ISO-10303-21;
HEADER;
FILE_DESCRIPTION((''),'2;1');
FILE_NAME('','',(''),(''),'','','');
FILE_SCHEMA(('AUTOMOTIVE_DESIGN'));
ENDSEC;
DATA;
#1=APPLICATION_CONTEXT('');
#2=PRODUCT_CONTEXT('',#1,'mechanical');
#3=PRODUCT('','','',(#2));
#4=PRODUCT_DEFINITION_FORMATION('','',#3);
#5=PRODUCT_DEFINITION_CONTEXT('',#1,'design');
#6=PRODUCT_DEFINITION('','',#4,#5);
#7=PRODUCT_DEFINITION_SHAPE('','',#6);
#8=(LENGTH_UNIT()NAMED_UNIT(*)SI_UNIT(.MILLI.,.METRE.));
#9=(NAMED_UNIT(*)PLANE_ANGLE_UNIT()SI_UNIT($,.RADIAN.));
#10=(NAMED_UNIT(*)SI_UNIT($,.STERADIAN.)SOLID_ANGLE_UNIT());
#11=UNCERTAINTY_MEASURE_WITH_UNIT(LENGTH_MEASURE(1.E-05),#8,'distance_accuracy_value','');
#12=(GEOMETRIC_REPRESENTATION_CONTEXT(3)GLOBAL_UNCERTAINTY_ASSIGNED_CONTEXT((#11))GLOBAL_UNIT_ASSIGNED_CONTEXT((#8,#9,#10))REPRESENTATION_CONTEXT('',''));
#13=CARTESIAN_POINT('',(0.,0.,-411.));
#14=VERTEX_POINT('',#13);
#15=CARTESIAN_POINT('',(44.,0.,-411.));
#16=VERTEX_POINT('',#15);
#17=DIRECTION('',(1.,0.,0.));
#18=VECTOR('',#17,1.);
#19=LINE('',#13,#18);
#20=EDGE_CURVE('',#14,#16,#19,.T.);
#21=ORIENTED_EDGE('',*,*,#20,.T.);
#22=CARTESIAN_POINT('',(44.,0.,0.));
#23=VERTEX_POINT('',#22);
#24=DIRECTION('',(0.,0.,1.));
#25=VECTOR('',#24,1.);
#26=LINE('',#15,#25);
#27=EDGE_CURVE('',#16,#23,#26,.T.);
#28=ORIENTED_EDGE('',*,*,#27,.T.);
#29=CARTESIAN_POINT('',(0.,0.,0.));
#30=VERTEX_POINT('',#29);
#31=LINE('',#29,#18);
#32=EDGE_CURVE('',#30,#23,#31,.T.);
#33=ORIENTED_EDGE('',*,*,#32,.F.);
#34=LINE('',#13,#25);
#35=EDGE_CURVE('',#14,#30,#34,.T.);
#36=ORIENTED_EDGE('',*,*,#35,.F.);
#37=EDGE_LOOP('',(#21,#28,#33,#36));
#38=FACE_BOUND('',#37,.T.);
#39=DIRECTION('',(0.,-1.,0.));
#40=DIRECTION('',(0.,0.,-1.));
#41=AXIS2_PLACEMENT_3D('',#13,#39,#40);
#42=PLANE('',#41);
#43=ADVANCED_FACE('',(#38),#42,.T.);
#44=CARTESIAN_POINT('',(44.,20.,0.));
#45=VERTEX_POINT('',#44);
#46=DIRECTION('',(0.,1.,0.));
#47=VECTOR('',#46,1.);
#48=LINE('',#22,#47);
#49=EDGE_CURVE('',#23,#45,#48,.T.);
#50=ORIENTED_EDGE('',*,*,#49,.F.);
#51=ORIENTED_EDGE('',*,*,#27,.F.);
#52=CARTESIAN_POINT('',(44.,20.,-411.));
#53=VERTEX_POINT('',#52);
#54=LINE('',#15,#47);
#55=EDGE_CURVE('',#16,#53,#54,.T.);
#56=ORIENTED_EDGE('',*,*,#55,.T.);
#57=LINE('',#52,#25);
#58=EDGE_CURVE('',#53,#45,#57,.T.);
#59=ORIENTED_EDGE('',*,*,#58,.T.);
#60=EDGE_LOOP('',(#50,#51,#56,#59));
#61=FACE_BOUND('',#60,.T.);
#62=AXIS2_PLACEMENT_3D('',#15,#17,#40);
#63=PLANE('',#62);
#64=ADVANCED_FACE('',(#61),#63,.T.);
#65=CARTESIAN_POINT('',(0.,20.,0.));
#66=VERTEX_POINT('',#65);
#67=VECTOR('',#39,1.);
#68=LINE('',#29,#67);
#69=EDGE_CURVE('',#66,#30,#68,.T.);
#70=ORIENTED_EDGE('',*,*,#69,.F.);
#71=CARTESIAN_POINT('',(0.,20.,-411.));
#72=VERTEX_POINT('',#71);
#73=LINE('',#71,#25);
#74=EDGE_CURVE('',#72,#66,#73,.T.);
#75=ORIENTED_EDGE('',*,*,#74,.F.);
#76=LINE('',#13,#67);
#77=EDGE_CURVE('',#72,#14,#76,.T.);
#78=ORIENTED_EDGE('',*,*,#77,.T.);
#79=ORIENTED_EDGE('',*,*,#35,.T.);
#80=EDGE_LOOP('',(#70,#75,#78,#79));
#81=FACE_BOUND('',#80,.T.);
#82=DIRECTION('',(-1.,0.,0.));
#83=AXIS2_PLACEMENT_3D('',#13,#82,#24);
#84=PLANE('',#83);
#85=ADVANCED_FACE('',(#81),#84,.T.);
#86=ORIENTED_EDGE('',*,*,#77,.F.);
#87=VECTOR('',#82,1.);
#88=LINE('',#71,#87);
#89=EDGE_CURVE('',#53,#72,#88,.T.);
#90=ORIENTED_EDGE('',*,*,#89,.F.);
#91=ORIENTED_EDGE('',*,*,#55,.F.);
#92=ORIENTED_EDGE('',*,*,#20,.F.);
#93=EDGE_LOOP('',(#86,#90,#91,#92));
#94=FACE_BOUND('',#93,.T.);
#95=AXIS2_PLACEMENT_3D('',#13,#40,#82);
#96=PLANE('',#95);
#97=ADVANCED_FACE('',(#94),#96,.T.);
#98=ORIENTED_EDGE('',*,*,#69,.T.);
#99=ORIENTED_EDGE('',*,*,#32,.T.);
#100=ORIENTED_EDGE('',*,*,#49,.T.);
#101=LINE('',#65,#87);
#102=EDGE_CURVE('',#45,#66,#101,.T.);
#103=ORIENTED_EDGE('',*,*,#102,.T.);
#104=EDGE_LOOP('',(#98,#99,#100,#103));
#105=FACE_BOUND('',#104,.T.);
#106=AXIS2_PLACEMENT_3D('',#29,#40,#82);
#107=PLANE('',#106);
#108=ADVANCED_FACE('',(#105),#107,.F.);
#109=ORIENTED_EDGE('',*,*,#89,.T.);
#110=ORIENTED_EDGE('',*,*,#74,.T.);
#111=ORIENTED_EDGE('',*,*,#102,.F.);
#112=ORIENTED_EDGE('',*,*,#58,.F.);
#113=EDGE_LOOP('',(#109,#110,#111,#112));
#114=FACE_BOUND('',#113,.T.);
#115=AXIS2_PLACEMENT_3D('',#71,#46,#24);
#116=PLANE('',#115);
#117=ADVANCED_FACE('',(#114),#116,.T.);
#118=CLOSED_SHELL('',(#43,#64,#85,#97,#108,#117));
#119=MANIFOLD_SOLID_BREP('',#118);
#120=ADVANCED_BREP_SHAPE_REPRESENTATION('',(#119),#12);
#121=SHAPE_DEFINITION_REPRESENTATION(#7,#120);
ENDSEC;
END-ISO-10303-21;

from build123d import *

# Parameters (mm, degrees)
SKETCH1_W           = 44
SKETCH1_H           = 20
BOSS_EXTRUDE1_DEPTH = 411


with BuildPart() as part:
    # Sketch1 → Boss-Extrude1 (new body)
    with BuildSketch(Plane.XY):
        with Locations((22, 10)):
            Rectangle(SKETCH1_W, SKETCH1_H)
    extrude(amount=-BOSS_EXTRUDE1_DEPTH)


solid = part.part
